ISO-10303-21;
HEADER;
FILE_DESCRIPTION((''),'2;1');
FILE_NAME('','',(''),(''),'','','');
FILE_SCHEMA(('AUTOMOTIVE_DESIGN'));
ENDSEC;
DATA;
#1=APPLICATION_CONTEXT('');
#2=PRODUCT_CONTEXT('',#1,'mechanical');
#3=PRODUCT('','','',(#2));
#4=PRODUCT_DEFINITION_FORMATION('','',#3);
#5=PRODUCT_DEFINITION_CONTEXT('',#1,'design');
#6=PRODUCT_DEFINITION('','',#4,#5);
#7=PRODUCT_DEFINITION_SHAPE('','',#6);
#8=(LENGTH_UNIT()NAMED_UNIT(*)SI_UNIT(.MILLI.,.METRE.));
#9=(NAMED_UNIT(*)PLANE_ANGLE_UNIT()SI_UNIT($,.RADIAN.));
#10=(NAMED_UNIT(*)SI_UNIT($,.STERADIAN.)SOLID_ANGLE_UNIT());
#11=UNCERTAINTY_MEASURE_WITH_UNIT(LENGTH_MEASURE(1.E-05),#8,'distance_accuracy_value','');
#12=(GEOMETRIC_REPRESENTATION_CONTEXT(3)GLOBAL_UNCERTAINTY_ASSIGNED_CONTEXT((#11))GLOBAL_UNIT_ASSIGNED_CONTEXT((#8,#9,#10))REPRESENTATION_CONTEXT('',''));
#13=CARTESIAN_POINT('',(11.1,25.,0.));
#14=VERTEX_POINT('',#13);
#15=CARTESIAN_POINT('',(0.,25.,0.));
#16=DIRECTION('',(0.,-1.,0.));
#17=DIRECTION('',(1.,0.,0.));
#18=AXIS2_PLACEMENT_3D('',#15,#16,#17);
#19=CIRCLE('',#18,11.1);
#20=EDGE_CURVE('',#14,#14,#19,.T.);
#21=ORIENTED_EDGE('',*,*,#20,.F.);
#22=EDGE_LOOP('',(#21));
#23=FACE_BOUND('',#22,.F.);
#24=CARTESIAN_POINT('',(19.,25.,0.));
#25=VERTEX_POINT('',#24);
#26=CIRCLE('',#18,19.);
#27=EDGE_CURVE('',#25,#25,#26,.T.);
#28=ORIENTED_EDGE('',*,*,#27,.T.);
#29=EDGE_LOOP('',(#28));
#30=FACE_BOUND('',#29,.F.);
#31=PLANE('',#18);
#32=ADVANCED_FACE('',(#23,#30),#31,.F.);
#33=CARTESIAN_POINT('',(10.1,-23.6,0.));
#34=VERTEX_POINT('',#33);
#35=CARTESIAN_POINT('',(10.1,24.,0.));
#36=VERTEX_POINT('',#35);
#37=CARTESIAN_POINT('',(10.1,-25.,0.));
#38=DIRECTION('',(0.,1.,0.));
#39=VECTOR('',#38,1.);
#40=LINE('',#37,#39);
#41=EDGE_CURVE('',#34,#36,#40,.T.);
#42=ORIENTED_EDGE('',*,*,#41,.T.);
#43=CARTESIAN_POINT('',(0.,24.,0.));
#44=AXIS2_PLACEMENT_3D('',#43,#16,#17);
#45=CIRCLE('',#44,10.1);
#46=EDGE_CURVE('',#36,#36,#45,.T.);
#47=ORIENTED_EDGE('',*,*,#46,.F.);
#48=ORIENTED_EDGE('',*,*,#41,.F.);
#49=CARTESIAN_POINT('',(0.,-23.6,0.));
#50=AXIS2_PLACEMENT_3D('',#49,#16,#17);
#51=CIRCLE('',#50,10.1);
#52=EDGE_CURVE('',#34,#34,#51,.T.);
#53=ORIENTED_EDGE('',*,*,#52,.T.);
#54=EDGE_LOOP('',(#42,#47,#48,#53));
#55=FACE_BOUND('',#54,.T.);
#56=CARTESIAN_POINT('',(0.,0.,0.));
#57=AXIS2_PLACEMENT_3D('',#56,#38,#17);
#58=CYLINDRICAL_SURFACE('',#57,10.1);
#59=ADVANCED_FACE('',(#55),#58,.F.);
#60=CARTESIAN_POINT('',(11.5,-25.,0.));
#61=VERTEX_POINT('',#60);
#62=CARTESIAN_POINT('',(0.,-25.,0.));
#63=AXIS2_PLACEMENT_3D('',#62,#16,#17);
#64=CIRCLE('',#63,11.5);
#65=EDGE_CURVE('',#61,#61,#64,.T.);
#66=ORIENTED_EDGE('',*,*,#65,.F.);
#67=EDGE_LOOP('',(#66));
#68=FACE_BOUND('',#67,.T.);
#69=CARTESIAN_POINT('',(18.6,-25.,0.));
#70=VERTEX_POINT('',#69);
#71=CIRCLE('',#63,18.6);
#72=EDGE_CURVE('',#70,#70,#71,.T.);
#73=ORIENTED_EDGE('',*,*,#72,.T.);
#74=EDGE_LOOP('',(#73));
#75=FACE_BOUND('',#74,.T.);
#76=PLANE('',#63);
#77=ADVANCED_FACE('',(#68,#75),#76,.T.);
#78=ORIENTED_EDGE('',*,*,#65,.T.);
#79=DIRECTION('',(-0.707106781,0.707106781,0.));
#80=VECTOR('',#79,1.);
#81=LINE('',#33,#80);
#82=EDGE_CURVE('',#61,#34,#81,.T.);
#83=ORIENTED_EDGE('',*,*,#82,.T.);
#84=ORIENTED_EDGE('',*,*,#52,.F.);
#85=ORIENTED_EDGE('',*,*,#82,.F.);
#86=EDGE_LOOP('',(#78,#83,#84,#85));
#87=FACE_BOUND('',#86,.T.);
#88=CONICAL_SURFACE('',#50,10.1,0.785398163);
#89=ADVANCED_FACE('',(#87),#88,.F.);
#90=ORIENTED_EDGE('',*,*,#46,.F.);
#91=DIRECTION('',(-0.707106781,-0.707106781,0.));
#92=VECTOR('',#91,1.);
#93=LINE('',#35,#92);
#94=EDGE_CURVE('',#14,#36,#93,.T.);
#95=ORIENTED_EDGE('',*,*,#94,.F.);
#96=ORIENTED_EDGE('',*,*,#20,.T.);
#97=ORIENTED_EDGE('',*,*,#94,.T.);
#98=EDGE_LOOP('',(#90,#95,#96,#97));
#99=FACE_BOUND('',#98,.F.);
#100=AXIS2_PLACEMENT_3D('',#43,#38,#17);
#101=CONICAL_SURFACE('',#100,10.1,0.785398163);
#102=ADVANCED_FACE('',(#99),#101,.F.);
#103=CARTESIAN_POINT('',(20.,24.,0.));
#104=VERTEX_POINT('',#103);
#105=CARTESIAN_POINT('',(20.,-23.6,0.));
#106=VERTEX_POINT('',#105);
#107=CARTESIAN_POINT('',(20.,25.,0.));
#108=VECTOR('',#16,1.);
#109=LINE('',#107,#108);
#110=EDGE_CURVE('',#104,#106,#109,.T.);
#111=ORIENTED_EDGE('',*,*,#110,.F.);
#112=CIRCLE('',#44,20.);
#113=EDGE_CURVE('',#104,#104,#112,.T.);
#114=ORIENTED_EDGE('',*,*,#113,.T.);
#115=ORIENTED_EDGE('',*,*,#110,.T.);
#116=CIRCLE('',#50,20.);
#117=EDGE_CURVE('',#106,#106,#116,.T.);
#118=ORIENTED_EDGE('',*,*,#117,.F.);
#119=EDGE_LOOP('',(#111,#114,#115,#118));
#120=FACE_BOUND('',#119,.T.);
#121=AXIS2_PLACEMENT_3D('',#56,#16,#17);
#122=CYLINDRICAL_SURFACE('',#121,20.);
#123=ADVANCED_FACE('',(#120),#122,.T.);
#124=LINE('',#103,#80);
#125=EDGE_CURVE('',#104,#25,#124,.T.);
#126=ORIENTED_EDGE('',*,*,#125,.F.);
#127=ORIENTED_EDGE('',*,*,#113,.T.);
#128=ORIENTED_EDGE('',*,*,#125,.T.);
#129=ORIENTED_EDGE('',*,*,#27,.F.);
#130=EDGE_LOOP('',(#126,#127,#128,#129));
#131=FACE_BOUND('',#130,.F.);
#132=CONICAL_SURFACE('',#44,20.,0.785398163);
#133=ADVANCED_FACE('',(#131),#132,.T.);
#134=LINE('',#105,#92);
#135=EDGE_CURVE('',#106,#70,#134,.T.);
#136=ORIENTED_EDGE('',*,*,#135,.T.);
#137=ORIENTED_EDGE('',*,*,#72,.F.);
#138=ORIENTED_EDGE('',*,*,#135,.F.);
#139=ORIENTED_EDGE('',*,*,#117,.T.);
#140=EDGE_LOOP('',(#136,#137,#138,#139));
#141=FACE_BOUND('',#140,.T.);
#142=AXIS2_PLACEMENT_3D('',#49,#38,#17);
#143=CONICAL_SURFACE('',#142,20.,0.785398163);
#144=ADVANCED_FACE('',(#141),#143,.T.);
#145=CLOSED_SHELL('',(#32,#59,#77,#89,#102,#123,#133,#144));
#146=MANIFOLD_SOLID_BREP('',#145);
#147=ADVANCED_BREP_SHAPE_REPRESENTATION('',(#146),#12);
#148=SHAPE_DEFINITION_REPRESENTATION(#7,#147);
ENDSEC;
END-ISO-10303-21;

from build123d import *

# Parameters (mm, degrees)
F0_R     = 20
F0_R_2   = 10.1
F1_DEPTH = 25
F2_SIZE2 = 1.4
F2_SIZE  = 1.4
F3_SIZE2 = 1
F3_SIZE  = 1


with BuildPart() as f1:
    # F0 (on Front) → F1 (new body, symmetric)
    with BuildSketch(Plane.XZ):
        Circle(F0_R)
        Circle(F0_R_2, mode=Mode.SUBTRACT)
    extrude(amount=F1_DEPTH, both=True)

    # F2
    f2_edges = [f1.edges().sort_by_distance(p)[0] for p in [
        (-20, -25, 0),
        (-10.1, -25, 0),
    ]]
    chamfer(f2_edges, length=F2_SIZE, length2=F2_SIZE2)

    # F3
    f3_edges = [f1.edges().sort_by_distance(p)[0] for p in [
        (-10.1, 25, 0),
        (-20, 25, 0),
    ]]
    chamfer(f3_edges, length=F3_SIZE, length2=F3_SIZE2)


solid = f1.part
